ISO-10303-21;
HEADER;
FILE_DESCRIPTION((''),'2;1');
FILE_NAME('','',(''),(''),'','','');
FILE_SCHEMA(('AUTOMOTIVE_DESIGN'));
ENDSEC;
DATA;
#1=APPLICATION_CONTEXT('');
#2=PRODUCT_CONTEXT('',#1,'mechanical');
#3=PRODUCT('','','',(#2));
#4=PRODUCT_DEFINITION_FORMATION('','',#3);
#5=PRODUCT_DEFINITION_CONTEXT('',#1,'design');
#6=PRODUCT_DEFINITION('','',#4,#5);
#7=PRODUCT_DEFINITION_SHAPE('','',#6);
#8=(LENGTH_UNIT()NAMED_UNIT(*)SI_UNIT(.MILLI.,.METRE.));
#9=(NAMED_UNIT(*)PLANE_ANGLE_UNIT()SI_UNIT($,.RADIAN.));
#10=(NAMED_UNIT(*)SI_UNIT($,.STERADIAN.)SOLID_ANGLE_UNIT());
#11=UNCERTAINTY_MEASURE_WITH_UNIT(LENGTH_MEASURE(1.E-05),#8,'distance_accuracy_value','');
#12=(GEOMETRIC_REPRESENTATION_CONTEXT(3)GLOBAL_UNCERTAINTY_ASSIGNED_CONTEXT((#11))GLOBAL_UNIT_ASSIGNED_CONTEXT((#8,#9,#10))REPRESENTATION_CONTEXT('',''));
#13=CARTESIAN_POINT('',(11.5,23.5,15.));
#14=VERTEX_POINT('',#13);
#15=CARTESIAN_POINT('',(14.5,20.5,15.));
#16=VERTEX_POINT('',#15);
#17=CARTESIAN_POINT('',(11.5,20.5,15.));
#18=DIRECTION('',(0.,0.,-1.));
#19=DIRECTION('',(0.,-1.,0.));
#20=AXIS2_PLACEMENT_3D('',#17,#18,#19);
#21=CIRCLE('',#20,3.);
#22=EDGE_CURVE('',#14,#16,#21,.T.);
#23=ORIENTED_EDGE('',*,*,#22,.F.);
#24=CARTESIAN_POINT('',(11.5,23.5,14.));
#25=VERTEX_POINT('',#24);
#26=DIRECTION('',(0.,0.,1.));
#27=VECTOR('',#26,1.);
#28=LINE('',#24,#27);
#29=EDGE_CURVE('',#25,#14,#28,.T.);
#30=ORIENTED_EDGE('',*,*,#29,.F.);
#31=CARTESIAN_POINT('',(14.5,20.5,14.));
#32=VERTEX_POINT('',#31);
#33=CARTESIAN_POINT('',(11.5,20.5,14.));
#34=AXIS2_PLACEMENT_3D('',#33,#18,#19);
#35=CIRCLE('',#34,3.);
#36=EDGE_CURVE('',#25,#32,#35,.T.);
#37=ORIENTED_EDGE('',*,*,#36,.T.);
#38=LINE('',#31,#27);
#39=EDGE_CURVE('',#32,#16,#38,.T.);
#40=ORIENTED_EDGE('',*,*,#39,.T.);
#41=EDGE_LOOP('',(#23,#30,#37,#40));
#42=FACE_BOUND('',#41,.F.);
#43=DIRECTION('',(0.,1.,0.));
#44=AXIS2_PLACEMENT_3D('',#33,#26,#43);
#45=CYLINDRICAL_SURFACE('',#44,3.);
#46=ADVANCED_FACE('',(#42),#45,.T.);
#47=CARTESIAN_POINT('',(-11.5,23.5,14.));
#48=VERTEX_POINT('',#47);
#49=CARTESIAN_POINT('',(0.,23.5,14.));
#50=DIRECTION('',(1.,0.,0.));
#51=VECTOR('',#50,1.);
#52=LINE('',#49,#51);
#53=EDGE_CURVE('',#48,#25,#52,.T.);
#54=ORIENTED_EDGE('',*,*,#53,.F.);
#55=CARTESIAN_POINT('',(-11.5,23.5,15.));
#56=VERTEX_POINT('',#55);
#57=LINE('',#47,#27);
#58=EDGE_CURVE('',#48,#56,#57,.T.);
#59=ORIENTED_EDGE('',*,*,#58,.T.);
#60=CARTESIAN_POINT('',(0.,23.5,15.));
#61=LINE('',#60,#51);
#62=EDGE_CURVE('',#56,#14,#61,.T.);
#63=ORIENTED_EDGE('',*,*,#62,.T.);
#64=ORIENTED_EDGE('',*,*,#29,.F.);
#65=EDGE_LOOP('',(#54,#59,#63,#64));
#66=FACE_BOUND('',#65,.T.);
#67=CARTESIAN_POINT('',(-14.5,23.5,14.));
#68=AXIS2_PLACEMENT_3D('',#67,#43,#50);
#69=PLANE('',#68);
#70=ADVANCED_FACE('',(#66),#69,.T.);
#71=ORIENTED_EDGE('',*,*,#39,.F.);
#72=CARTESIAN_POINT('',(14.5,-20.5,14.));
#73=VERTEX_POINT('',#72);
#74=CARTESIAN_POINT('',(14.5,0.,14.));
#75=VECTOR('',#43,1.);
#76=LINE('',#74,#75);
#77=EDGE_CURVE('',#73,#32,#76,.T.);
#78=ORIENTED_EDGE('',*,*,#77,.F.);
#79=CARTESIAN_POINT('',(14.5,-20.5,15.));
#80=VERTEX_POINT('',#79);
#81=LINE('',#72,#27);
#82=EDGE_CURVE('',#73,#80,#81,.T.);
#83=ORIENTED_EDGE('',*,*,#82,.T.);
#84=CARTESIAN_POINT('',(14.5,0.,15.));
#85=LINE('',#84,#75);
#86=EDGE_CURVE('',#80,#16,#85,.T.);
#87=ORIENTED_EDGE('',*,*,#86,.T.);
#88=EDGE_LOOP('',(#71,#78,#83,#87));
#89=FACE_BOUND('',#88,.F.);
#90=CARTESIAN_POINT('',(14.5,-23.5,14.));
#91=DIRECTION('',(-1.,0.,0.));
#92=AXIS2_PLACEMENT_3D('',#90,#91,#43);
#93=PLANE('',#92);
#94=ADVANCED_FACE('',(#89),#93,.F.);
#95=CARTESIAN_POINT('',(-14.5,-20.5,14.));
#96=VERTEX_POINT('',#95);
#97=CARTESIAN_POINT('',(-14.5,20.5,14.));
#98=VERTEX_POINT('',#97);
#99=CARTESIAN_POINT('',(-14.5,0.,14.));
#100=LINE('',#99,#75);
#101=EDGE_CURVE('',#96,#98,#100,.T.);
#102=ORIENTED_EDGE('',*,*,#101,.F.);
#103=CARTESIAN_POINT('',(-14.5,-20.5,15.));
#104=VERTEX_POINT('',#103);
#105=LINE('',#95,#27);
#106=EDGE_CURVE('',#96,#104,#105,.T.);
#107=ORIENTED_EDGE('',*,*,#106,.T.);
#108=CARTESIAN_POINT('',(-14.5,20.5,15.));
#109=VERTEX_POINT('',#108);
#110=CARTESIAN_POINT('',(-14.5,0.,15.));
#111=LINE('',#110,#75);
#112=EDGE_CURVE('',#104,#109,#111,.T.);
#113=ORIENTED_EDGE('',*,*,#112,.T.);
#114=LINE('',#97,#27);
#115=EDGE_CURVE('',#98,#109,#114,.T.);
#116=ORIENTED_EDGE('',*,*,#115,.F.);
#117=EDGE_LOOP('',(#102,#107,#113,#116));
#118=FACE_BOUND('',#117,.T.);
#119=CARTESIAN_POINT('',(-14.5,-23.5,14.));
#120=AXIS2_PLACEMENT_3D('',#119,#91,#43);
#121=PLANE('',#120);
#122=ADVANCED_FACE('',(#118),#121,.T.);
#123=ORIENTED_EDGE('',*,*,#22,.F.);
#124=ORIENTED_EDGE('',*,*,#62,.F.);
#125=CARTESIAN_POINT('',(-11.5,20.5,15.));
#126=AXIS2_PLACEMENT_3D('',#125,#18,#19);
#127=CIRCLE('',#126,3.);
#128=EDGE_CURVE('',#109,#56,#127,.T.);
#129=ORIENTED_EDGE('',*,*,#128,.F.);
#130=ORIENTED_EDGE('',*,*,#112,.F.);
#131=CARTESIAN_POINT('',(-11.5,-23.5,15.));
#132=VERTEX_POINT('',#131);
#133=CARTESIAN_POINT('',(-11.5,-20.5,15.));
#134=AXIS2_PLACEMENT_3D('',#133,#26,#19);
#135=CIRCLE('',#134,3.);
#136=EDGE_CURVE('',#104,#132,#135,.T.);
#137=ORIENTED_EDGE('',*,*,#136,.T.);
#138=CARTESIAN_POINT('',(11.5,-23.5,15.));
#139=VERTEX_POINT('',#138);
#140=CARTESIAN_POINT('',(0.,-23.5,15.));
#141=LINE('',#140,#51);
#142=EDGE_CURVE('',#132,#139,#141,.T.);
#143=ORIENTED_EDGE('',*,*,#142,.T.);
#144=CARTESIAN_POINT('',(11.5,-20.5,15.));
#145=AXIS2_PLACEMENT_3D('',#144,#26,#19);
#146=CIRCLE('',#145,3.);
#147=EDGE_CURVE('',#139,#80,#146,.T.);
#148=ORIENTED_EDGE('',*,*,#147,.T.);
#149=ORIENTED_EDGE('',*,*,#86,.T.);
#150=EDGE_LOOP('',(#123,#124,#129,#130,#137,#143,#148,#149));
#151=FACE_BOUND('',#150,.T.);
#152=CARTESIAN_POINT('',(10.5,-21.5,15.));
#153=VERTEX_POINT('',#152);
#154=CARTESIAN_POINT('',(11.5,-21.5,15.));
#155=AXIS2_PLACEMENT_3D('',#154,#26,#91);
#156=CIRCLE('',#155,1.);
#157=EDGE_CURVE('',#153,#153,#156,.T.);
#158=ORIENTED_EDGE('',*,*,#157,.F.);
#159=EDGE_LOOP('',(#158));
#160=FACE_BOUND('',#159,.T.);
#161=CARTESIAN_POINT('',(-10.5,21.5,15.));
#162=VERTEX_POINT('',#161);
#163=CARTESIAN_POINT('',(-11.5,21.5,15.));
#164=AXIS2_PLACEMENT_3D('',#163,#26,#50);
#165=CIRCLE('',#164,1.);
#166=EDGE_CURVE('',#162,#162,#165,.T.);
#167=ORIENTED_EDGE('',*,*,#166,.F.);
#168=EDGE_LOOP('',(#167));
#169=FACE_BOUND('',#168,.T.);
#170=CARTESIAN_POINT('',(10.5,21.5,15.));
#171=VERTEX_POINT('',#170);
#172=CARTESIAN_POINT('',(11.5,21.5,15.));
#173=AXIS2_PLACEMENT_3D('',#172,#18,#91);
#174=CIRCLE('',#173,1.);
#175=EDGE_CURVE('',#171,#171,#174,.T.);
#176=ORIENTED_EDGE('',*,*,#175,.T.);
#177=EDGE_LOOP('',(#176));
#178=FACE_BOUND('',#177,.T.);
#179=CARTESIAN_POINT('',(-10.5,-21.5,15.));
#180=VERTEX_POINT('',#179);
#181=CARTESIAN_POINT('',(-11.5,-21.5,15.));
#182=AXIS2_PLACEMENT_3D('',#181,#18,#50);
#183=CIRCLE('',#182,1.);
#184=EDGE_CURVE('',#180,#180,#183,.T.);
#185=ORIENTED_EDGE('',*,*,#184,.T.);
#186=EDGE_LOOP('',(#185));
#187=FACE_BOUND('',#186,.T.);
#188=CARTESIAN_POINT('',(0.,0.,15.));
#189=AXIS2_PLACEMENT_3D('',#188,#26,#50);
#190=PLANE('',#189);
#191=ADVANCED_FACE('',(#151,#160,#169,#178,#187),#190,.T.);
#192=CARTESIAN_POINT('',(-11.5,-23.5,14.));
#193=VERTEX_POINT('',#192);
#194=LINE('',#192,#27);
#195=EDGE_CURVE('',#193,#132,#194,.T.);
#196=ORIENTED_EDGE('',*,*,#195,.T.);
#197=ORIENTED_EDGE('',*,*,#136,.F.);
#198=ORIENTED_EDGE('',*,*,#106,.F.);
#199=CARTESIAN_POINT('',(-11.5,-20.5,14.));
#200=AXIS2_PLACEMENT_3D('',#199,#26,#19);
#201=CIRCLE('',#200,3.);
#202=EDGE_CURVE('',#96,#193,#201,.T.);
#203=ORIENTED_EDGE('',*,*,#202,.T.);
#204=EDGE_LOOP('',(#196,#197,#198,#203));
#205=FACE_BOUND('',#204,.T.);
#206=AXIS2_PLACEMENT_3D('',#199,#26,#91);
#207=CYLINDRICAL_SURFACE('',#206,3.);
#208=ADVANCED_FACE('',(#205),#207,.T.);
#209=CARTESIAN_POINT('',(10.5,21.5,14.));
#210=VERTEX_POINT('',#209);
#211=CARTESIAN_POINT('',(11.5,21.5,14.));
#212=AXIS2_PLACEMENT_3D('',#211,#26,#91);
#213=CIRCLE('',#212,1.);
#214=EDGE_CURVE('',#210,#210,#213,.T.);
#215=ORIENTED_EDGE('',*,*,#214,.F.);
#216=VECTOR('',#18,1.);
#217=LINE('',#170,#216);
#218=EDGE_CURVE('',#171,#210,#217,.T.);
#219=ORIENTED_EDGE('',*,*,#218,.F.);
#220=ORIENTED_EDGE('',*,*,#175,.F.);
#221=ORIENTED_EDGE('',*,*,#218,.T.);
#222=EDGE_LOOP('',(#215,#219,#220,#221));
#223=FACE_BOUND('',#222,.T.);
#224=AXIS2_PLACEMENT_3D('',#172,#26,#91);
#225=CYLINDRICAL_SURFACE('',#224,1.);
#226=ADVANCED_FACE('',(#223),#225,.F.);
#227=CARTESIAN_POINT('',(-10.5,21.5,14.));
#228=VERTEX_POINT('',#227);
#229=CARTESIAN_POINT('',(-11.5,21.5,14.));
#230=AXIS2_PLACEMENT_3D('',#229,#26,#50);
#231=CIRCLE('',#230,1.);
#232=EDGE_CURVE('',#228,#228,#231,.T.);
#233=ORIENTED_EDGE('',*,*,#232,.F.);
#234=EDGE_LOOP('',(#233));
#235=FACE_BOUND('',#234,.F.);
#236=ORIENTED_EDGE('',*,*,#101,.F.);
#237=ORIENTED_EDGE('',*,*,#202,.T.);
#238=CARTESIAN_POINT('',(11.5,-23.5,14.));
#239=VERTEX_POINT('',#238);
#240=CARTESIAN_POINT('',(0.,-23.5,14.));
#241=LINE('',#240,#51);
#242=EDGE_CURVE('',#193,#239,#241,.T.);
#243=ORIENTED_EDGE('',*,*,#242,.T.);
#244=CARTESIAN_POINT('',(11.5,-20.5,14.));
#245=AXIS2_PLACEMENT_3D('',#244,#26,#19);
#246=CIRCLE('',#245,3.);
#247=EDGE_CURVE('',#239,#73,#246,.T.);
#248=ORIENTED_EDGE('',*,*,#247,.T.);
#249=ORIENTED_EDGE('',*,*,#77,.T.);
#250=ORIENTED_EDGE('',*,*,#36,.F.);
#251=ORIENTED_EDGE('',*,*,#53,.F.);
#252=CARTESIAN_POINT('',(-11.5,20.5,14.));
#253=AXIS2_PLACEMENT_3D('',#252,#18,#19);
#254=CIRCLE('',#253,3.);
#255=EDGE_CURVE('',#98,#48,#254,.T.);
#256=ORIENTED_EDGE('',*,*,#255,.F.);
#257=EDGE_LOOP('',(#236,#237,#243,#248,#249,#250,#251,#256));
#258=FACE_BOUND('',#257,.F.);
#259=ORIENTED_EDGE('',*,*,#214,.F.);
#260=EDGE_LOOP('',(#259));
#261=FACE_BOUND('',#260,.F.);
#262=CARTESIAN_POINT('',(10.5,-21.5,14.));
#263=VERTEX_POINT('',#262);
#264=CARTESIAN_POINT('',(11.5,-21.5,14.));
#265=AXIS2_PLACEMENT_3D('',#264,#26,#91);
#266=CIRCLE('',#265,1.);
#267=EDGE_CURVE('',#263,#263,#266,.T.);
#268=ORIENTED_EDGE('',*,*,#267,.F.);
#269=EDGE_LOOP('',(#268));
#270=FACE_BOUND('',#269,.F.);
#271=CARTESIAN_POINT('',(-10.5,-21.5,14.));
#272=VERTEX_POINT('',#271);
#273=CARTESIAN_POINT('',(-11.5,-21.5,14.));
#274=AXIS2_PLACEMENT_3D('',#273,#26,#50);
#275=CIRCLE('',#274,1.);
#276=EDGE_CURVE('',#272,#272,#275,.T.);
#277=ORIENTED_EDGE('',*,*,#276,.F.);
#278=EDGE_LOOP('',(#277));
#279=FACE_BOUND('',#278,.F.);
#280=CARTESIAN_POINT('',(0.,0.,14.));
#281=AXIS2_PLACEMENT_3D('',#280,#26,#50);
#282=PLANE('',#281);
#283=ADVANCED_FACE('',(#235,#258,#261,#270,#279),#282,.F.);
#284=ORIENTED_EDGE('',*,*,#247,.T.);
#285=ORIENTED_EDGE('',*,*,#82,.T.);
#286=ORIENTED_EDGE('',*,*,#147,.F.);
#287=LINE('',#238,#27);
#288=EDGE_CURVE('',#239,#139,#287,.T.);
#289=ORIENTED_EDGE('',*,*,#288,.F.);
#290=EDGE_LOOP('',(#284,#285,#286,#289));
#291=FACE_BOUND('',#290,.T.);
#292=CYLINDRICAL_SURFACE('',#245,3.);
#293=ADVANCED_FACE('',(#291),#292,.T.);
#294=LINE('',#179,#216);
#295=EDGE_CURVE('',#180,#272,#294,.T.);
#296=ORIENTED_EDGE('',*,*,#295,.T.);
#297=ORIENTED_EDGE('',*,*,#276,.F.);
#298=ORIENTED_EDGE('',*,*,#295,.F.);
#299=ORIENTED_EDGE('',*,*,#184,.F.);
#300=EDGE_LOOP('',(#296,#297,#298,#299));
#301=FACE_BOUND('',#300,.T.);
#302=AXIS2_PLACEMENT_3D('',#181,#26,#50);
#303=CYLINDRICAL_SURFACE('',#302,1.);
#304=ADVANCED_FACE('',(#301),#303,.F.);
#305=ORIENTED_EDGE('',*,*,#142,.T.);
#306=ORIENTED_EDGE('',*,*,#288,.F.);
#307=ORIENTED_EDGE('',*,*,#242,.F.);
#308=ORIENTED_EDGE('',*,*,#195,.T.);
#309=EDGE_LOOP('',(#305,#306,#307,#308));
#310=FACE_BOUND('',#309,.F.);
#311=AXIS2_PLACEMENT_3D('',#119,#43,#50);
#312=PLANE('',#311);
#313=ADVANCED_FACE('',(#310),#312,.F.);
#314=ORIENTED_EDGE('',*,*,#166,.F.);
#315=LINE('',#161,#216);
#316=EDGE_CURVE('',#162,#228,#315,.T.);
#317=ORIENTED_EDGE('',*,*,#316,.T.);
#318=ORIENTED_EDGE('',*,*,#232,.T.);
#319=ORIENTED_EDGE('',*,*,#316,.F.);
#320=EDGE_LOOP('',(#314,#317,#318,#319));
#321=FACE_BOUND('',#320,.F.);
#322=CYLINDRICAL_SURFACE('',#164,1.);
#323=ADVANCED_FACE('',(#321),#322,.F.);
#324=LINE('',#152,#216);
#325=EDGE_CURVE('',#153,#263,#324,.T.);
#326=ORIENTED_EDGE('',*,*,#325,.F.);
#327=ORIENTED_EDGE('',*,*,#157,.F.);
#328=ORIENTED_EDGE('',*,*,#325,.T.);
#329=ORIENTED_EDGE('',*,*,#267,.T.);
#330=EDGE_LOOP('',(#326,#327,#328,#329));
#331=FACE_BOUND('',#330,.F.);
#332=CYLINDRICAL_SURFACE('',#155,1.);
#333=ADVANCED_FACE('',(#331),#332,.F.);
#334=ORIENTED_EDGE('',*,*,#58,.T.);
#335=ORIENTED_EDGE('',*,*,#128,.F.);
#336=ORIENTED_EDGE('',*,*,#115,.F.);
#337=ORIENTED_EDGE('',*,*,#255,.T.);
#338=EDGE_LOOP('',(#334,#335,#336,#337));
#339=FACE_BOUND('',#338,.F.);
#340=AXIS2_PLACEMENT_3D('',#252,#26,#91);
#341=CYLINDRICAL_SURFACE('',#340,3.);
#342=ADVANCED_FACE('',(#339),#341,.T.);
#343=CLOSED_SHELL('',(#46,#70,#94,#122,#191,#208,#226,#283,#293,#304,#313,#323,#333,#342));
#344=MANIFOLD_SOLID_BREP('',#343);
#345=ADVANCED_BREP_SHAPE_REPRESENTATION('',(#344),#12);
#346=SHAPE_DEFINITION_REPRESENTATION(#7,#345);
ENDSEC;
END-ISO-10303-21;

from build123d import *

# Parameters (mm, degrees)
SKETCH005_W                = 29
SKETCH005_H                = 47
PAD001_DEPTH               = 1
SKETCH006_R                = 1
POCKET003_DEPTH            = 111.472716
SKETCH006_MIRRORED_2_R     = 1
POCKET003_MIRRORED_2_DEPTH = 111.472716
FILLET002_R                = 3


with BuildPart() as part:
    # Sketch005 → Pad001 (new body)
    with BuildSketch(Plane.XY):
        Rectangle(SKETCH005_W, SKETCH005_H)
    extrude(amount=PAD001_DEPTH)

    # Sketch006 (on Face6 of Pad001) → Pocket003 (cut, through all)
    with BuildSketch(Plane.XY.offset(1)):
        with Locations((-11.5, 21.5)):
            Circle(SKETCH006_R)
    pocket003 = extrude(amount=-POCKET003_DEPTH, mode=Mode.SUBTRACT)

    # Sketch006 Mirrored 2 → Pocket003 Mirrored 2 (cut, through all)
    with BuildSketch(Plane(origin=(0, 0, 1), x_dir=(-1, 0, 0), z_dir=(0, 0, -1))):
        with Locations((-11.5, 21.5)):
            Circle(SKETCH006_MIRRORED_2_R)
    pocket003_mirrored_2 = extrude(amount=POCKET003_MIRRORED_2_DEPTH, mode=Mode.SUBTRACT)

    # Mirrored001: Pocket003, Pocket003 Mirrored 2 across Sketch006 H_Axis
    add(pocket003.mirror(Plane(origin=(0, 0, 1), x_dir=(0, 0, 1), z_dir=(0, 1, 0))), mode=Mode.SUBTRACT)
    add(pocket003_mirrored_2.mirror(Plane(origin=(0, 0, 1), x_dir=(0, 0, 1), z_dir=(0, 1, 0))), mode=Mode.SUBTRACT)

    # Fillet002
    fillet002_edges = [part.edges().sort_by_distance(p)[0] for p in [
        (-14.5, -23.5, 0.5),
        (14.5, -23.5, 0.5),
        (-14.5, 23.5, 0.5),
        (14.5, 23.5, 0.5),
    ]]
    fillet(fillet002_edges, radius=FILLET002_R)


with BuildPart() as part_1:
    # Body001 placement: moved
    add(part.part.moved(Location((0, 0, 14))))


solid = part_1.part
